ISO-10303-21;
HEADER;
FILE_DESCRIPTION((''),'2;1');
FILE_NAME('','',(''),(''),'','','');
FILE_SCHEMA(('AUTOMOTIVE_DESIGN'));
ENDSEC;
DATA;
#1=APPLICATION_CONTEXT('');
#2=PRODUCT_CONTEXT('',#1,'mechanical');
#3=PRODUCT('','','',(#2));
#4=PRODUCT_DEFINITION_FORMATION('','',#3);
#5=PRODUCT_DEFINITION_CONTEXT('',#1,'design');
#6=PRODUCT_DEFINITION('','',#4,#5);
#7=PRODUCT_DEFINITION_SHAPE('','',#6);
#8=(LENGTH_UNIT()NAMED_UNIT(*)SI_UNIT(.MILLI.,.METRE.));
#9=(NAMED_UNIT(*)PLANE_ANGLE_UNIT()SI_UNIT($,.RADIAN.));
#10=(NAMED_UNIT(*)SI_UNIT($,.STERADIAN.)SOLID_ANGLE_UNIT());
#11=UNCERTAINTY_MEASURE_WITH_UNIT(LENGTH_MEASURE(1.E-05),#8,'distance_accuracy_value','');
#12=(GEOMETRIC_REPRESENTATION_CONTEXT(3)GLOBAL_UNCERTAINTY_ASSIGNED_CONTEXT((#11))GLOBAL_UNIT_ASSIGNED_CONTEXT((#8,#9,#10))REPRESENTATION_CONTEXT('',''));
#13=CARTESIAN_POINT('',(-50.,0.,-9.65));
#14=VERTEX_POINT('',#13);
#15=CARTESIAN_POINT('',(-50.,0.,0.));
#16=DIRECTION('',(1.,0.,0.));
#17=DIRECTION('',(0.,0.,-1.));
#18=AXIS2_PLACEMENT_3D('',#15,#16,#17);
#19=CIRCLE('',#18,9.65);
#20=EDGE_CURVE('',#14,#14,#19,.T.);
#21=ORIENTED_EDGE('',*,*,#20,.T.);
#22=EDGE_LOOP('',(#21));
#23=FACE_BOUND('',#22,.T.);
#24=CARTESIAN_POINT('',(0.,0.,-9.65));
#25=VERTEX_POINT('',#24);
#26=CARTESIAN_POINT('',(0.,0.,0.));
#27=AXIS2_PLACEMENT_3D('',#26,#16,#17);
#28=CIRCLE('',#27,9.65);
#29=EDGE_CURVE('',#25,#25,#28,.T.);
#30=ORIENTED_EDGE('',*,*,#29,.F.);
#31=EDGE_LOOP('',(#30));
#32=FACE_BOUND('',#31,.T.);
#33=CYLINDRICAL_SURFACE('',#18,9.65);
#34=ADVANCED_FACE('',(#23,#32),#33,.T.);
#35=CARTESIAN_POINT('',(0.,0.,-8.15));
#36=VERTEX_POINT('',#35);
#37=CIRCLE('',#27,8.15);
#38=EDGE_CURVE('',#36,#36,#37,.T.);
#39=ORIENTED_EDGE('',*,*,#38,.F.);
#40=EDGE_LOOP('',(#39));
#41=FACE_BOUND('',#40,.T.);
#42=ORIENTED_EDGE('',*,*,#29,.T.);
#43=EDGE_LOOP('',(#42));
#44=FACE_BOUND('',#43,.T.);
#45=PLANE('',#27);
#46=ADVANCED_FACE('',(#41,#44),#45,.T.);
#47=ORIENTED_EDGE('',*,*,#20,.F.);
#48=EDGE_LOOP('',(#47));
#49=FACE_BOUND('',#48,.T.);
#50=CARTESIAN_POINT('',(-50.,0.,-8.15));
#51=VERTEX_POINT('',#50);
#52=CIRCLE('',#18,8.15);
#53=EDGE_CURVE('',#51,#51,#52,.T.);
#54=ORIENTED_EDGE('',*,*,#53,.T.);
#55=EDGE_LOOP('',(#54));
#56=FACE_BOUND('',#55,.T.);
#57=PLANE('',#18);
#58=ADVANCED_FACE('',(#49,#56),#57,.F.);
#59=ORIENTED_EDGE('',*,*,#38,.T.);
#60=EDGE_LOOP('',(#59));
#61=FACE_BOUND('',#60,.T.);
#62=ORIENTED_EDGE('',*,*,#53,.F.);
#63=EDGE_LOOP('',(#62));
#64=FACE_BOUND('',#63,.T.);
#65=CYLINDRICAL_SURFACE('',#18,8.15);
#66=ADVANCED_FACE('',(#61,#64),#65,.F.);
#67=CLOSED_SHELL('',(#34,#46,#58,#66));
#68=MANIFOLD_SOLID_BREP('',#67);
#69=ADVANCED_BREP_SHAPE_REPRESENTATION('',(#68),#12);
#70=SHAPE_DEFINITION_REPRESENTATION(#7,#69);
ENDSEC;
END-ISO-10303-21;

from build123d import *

# Parameters (mm, degrees)
CROQUIS1_R              = 9.65
CROQUIS1_R_2            = 8.15
SALIENTE_EXTRUIR1_DEPTH = 50


with BuildPart() as part:
    # Croquis1 → Saliente-Extruir1 (new body)
    with BuildSketch(Plane(origin=(0, 0, 0), x_dir=(0, 0, -1), z_dir=(1, 0, 0))):
        Circle(CROQUIS1_R)
        Circle(CROQUIS1_R_2, mode=Mode.SUBTRACT)
    extrude(amount=-SALIENTE_EXTRUIR1_DEPTH)


solid = part.part
